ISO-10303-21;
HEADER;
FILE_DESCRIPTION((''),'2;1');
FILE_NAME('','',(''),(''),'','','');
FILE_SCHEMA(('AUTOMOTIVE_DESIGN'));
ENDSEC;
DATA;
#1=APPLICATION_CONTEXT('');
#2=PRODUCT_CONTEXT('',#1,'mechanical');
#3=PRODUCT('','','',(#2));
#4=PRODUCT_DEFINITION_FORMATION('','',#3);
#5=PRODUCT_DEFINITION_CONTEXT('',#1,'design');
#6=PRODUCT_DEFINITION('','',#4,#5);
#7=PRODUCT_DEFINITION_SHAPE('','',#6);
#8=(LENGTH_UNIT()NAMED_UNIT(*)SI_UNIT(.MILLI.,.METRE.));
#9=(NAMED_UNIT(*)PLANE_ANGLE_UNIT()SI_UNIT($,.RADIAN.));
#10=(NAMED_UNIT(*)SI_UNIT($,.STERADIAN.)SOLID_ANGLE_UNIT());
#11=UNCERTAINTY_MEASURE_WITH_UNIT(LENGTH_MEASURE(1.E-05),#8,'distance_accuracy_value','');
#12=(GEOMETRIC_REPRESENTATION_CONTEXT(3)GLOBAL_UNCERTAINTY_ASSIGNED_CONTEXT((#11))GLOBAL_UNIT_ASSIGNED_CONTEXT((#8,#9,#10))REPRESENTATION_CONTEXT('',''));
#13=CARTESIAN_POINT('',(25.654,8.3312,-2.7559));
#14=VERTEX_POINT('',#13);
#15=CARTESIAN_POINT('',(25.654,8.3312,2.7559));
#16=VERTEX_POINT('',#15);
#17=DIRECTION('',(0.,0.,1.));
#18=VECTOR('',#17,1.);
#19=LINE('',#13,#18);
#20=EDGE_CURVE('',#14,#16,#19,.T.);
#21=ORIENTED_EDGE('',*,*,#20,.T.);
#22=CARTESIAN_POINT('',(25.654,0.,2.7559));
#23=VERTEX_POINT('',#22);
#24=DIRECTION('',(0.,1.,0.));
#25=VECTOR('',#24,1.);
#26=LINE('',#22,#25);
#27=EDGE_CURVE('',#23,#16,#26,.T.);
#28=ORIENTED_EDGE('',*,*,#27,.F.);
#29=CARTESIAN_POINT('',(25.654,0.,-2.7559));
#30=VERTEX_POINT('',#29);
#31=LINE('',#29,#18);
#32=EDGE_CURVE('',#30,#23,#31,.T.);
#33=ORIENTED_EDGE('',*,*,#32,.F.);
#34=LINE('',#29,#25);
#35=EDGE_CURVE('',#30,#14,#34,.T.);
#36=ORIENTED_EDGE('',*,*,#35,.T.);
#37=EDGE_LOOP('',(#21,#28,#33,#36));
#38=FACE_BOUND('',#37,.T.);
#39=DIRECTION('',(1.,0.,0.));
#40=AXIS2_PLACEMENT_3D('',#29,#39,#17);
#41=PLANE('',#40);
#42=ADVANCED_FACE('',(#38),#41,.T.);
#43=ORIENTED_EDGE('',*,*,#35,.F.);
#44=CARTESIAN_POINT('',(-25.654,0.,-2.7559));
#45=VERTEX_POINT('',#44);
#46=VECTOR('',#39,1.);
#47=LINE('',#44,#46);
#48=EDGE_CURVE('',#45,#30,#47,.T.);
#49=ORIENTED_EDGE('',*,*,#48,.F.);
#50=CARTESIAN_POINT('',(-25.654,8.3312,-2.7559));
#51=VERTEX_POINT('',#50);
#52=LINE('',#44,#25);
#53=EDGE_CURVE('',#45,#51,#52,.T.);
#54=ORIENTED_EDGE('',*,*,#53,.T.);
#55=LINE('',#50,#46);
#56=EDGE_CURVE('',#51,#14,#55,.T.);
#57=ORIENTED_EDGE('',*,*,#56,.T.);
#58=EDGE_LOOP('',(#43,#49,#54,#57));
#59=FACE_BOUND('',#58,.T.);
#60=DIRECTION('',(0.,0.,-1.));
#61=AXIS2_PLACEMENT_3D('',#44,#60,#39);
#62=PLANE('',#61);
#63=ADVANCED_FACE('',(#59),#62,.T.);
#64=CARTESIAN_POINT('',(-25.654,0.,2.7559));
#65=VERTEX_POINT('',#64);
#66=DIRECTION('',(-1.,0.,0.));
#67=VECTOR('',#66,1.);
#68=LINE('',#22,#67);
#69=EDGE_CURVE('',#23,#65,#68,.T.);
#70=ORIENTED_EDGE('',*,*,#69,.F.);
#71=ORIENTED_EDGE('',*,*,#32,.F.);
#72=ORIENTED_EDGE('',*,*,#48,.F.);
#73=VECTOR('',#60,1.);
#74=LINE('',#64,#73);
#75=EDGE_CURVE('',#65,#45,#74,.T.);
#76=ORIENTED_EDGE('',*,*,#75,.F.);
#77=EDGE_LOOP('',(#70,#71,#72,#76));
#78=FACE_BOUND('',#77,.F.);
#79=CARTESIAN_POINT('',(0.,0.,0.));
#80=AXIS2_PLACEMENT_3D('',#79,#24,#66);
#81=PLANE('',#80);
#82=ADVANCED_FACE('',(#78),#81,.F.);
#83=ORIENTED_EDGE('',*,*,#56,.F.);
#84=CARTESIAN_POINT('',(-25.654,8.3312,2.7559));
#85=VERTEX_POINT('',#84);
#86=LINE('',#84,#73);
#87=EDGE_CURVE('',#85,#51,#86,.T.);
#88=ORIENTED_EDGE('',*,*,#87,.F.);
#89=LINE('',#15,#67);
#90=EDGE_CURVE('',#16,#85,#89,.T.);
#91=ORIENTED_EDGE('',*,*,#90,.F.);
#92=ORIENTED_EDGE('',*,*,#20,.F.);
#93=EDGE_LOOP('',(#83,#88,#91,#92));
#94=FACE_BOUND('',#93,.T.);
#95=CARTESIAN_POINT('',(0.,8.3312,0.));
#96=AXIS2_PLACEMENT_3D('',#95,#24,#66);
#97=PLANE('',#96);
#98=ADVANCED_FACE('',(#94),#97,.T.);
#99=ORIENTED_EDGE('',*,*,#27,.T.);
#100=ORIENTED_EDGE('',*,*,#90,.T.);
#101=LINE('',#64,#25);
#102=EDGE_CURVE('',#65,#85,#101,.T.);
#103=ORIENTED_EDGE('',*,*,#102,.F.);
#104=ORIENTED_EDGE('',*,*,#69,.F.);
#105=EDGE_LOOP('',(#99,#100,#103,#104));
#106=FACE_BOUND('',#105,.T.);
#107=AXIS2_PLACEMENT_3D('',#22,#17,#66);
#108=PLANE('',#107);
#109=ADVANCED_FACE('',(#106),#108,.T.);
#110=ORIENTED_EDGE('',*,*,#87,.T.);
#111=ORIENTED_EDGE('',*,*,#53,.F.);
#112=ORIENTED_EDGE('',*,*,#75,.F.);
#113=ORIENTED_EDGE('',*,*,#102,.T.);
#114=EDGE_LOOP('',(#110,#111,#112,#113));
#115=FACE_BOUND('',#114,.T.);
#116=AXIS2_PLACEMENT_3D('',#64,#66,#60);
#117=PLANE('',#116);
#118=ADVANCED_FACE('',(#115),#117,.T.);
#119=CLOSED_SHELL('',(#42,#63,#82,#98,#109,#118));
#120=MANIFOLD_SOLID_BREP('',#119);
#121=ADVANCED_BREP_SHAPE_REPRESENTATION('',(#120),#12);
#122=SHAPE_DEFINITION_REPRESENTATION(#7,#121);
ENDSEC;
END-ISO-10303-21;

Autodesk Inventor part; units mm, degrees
ref_plane "YZ Plane" through (0, 0, 0) normal (1, 0, 0) x (0, 1, 0)
ref_plane "XZ Plane" through (0, 0, 0) normal (0, 1, 0) x (-1, 0, 0)
ref_plane "XY Plane" through (0, 0, 0) normal (0, 0, 1) x (1, 0, 0)
sketch "Sketch1" plane through (0, 0, 0) normal (0, 1, 0) x (-1, 0, 0)
  line L0 (-25.654, 2.7559) -> (25.654, 2.7559)
  line L1 (25.654, 2.7559) -> (25.654, -2.7559)
  line L2 (25.654, -2.7559) -> (-25.654, -2.7559)
  line L3 (-25.654, -2.7559) -> (-25.654, 2.7559)
  line L4 (-25.654, 2.7559) -> (25.654, -2.7559) construction
  line L5 (25.654, 2.7559) -> (-25.654, -2.7559) construction
  point P0 (0, 0)
  dimension "d0" = 51.308
  dimension "d1" = 5.5118
extrude "Extrusion1" add sketch "Sketch1" along normal blind 8.3312
properties part number "snapPinout"
